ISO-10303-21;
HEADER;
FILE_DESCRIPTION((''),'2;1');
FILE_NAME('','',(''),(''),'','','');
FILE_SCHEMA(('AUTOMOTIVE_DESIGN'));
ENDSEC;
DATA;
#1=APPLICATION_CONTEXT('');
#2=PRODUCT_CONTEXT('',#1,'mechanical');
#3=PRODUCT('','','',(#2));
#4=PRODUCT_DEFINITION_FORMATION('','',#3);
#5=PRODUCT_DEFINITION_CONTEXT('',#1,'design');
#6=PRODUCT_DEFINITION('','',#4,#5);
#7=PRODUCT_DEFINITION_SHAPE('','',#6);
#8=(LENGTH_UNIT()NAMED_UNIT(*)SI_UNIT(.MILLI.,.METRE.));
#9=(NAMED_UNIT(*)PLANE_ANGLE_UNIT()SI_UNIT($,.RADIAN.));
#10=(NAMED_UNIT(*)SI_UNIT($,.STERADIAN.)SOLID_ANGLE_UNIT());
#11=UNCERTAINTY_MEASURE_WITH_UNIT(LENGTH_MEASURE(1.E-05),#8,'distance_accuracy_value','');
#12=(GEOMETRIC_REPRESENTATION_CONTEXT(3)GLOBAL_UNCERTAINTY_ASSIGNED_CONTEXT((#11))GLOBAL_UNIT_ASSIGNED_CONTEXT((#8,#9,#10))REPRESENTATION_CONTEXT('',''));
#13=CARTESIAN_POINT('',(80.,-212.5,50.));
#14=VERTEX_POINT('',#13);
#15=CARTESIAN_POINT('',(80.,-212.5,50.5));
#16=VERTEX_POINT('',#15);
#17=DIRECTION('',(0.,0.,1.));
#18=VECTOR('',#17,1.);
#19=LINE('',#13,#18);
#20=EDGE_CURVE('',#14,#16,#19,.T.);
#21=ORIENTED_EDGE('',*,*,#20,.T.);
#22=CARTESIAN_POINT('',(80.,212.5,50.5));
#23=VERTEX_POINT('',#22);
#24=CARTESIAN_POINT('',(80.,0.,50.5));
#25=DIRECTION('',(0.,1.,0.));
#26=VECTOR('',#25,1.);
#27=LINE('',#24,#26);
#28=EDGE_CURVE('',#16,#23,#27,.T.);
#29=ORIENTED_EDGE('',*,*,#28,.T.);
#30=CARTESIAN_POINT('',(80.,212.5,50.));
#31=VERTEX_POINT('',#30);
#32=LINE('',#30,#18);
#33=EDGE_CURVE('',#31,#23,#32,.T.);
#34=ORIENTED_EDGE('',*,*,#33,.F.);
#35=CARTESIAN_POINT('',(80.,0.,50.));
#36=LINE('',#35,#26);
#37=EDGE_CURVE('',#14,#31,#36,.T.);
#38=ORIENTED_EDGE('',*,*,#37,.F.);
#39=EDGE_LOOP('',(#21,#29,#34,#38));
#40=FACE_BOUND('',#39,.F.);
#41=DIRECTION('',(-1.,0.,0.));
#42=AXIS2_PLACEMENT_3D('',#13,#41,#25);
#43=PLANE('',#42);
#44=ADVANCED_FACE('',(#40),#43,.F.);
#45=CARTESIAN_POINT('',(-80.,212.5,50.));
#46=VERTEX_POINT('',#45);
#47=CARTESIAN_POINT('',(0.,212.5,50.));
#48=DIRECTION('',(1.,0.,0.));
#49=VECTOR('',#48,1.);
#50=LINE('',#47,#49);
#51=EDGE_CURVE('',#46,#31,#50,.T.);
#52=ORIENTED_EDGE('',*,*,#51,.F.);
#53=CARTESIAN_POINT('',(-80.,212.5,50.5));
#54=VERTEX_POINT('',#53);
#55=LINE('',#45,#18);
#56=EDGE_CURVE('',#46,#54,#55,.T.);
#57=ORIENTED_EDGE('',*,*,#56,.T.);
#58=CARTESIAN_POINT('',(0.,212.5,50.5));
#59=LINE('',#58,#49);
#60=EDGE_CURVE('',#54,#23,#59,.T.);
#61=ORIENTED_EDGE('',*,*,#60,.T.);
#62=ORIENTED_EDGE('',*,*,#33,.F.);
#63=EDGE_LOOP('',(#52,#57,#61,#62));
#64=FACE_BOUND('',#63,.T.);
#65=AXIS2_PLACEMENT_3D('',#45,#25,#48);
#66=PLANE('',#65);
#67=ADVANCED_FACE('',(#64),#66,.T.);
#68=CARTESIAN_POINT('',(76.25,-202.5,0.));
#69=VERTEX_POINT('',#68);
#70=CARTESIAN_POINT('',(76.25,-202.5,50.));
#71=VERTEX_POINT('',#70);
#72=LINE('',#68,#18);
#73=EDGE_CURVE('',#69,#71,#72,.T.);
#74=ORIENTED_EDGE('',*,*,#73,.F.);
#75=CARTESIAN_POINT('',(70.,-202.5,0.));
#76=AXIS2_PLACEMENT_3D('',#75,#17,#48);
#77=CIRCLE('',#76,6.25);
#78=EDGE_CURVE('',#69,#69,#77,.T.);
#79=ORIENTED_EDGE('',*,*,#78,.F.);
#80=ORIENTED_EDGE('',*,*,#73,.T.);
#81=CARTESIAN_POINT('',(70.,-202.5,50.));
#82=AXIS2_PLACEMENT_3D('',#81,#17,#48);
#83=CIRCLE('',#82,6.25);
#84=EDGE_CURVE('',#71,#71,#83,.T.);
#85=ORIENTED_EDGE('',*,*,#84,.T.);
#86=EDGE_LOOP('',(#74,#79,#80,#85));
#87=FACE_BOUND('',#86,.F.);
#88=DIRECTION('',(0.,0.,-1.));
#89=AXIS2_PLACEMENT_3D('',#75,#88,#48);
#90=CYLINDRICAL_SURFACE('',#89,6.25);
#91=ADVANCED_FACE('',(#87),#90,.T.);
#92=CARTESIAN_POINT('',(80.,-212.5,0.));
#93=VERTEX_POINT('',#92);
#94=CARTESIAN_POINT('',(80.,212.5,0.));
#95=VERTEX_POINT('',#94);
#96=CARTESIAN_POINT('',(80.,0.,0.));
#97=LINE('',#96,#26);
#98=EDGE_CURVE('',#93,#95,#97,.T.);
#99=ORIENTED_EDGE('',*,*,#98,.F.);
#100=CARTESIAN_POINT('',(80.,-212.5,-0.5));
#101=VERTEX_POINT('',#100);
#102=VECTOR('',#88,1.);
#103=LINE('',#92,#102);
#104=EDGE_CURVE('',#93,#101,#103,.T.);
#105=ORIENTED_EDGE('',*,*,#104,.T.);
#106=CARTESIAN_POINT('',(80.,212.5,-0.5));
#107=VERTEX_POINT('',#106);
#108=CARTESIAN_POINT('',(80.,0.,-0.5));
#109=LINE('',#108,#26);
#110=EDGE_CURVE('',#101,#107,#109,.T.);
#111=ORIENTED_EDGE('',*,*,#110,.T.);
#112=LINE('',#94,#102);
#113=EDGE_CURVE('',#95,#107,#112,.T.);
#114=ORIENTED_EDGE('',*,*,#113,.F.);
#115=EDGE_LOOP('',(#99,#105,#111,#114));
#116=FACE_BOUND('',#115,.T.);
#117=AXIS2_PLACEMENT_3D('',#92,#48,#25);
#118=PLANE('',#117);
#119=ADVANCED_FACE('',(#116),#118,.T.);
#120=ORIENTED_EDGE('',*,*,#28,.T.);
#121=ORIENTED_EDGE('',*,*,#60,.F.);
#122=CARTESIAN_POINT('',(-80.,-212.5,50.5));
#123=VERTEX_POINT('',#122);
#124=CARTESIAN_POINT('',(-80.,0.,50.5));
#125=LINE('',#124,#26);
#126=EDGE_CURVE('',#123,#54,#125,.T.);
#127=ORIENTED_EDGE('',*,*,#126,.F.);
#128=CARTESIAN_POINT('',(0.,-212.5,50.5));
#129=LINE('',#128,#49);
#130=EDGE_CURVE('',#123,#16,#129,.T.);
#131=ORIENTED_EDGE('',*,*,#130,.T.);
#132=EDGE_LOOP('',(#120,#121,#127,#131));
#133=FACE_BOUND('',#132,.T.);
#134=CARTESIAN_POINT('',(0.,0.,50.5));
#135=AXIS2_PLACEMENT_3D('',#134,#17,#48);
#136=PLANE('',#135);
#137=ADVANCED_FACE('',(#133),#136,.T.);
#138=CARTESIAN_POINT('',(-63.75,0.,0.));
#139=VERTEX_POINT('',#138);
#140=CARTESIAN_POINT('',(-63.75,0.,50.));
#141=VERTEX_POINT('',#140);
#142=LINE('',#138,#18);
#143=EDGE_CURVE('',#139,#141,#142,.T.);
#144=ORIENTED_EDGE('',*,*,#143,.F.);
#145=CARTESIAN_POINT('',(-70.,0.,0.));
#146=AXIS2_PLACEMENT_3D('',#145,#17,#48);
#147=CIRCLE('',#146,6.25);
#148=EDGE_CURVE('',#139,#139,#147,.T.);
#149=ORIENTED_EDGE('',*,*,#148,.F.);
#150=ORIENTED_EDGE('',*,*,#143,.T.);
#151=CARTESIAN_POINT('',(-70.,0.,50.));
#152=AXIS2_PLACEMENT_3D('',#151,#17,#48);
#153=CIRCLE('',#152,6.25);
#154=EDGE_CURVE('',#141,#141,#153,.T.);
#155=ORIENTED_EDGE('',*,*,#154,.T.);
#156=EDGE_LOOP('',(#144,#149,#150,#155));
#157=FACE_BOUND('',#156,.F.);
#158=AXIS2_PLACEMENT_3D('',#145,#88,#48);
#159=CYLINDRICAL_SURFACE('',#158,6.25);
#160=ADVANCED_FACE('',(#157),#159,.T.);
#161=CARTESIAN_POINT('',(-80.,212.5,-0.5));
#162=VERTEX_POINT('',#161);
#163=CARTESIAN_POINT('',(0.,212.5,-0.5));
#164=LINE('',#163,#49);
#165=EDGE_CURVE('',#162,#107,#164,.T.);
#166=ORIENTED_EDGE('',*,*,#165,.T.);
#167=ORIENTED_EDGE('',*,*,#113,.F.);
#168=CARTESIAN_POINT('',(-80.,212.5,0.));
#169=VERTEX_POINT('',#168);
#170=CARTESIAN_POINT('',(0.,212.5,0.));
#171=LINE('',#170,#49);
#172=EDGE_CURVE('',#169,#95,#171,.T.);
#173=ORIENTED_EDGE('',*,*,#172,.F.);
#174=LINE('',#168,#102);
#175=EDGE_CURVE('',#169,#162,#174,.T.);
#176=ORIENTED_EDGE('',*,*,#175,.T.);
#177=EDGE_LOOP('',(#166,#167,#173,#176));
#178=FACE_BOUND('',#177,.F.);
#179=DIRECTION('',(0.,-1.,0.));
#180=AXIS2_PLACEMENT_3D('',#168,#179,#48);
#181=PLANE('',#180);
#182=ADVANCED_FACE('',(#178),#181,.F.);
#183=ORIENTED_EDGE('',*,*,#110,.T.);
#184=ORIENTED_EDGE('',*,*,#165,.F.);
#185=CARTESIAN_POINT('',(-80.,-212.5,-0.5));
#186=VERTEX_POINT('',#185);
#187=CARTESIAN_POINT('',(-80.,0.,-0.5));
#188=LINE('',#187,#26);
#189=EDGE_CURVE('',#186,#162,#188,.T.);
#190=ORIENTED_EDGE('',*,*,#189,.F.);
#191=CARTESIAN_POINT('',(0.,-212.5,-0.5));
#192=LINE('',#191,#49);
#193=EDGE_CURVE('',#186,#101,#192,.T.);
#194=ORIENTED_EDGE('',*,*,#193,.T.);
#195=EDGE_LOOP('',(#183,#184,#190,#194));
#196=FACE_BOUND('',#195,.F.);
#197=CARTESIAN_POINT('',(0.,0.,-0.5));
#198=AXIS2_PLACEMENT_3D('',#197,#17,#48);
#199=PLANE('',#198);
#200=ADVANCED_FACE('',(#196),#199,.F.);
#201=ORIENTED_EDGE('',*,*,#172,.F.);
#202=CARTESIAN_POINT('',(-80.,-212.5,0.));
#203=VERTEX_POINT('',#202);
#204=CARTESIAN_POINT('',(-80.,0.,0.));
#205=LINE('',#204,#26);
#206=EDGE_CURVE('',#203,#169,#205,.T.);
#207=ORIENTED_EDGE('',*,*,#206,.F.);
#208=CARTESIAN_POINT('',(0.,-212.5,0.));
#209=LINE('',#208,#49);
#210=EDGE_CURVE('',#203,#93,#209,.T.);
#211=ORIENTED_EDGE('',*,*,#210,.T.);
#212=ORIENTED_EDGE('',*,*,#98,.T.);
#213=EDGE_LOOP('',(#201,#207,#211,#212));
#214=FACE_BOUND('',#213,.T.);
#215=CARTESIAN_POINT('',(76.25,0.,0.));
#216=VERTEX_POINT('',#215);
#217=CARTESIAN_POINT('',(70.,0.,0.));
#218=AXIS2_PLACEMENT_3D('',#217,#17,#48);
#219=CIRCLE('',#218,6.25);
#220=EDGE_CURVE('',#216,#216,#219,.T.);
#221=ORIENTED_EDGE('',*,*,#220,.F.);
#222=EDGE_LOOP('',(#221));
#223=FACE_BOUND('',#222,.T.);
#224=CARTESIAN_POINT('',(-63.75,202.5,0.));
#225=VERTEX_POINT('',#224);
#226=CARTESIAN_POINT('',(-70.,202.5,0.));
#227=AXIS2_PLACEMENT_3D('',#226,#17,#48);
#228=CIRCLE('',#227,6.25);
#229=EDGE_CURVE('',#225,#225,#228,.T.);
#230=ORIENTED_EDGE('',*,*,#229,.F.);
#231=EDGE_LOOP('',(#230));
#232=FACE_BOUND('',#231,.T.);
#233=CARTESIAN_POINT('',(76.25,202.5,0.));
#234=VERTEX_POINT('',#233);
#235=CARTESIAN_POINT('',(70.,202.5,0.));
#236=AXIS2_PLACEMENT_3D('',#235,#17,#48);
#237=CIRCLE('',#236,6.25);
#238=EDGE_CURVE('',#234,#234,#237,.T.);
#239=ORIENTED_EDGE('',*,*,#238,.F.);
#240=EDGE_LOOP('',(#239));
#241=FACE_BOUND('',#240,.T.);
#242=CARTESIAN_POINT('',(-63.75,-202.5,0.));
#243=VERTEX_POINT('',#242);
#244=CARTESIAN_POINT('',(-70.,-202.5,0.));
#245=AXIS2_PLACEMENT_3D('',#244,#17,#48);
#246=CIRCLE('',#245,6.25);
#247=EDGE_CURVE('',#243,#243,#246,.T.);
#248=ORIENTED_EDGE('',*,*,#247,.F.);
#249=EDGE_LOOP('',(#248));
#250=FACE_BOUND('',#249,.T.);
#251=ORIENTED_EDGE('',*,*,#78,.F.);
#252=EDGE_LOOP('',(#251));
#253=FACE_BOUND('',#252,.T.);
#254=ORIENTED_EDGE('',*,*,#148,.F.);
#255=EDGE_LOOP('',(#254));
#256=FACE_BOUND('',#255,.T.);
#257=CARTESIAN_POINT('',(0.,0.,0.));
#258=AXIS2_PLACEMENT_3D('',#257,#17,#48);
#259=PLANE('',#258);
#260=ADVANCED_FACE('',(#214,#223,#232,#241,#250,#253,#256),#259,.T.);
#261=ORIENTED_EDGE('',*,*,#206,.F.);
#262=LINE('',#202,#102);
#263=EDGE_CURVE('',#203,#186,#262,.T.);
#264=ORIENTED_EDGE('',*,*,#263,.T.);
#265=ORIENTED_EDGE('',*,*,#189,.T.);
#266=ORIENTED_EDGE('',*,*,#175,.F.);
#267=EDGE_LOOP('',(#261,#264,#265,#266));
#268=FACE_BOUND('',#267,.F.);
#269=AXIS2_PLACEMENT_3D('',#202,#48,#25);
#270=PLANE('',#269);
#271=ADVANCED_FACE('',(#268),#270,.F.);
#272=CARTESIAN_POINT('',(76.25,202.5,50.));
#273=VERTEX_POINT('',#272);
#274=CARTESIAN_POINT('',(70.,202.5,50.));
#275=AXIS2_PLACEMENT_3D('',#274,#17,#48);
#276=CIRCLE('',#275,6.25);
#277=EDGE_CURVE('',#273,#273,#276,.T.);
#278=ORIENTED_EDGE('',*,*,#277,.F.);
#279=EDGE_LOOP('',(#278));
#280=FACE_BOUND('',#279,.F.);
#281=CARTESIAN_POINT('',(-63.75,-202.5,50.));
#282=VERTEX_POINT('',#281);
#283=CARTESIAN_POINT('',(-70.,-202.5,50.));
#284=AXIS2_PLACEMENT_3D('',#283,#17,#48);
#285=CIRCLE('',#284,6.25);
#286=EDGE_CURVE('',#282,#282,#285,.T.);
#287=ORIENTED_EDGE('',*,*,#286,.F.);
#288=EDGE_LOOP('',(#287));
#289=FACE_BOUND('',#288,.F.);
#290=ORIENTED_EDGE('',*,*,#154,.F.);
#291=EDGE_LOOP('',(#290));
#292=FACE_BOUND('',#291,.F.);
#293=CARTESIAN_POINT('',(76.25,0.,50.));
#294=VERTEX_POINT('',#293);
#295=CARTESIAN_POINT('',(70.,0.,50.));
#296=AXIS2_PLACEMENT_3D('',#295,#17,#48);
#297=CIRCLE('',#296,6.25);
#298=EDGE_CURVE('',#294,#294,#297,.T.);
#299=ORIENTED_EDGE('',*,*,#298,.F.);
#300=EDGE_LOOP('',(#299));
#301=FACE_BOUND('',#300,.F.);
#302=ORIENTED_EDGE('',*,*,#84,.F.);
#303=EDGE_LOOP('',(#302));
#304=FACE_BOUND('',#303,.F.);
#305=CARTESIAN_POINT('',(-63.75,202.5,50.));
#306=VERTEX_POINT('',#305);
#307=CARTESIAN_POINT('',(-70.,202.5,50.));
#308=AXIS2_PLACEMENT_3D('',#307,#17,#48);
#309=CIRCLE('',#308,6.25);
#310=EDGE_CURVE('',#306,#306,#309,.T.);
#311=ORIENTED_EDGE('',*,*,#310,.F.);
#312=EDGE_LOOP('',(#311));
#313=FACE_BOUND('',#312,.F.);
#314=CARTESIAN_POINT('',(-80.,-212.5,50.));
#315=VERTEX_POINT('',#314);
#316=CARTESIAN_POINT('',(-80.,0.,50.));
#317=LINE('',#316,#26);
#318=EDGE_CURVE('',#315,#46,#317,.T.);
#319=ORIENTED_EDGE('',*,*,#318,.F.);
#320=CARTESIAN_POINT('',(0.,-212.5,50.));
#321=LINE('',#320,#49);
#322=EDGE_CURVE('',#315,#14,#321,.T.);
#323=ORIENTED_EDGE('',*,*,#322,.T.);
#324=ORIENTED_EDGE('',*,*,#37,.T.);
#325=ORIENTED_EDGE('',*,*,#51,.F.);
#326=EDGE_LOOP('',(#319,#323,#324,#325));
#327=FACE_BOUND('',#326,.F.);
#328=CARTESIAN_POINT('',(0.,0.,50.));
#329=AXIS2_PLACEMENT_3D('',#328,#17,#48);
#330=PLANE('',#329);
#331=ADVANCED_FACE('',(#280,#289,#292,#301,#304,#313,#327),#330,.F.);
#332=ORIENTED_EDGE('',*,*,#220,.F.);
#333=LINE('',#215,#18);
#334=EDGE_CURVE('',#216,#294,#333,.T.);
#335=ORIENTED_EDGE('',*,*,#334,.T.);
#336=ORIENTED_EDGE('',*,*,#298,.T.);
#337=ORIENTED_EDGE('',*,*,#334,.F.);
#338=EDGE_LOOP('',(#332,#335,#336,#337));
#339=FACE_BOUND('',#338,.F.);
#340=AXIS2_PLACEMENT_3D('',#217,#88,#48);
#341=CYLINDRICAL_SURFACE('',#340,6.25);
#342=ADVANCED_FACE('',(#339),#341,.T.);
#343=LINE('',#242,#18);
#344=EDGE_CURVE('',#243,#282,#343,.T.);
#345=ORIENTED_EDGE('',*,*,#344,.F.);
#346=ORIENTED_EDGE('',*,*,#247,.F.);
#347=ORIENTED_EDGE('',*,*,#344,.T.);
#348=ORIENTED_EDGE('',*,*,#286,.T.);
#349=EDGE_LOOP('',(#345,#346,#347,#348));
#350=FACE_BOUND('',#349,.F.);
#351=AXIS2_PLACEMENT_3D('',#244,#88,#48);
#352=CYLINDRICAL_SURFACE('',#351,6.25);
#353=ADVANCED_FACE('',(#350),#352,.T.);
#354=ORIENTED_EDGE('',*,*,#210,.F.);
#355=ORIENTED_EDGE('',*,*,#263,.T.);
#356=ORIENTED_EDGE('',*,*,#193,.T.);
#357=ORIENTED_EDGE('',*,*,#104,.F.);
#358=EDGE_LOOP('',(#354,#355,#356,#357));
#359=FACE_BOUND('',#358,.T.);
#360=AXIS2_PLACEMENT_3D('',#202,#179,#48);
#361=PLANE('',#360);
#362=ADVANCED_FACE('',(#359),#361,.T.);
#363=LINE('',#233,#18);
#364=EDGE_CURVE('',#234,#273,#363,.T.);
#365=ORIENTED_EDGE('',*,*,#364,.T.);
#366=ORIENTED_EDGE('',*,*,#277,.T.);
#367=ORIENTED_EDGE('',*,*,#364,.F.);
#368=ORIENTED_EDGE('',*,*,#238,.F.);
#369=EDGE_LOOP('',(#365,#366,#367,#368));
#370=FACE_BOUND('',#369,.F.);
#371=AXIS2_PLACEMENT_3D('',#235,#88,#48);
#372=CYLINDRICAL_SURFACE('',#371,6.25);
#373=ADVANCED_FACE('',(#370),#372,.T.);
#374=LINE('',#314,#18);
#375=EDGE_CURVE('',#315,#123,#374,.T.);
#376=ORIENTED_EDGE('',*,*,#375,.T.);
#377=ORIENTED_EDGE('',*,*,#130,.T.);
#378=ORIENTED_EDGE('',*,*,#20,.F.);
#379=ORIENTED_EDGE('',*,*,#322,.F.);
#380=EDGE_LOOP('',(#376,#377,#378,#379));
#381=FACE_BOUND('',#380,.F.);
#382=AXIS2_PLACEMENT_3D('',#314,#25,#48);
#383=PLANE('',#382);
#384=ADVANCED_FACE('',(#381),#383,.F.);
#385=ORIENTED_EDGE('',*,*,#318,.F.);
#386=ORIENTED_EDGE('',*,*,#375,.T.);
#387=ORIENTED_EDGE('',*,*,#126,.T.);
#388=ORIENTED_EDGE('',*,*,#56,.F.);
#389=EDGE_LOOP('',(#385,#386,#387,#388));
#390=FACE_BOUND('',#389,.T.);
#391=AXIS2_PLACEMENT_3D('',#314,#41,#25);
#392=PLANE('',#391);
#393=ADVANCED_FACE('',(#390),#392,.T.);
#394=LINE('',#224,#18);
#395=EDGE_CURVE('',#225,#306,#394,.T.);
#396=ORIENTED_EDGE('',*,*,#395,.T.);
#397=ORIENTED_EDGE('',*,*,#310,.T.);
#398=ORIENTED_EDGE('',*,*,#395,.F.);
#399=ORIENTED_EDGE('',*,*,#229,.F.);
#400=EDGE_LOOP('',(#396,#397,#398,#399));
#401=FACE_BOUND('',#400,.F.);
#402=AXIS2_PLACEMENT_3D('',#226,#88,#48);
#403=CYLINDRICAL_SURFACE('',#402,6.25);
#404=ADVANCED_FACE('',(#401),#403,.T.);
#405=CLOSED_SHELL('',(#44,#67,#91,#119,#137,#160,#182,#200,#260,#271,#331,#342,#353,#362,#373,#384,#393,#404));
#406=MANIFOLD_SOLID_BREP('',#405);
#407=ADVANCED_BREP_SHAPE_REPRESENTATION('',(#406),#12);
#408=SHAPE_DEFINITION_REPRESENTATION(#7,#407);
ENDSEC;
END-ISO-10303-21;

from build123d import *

# Parameters (mm, degrees)
F0_W     = 160
F0_H     = 425
F1_DEPTH = 0.5
F2_R     = 6.25
F3_DEPTH = 50
F4_W     = 160
F4_H     = 425
F5_DEPTH = 0.5


with BuildPart() as f1:
    # F0 (on Top) → F1 (new body)
    with BuildSketch(Plane.XY):
        Rectangle(F0_W, F0_H)
    extrude(amount=-F1_DEPTH)

    # F2 (on face) → F3 (join)
    with BuildSketch(Plane.XY):
        with Locations((-70, 202.5)):
            Circle(F2_R)
        with Locations((-70, 0)):
            Circle(F2_R)
        with Locations((-70, -202.5)):
            Circle(F2_R)
        with Locations((70, 202.5)):
            Circle(F2_R)
        with Locations((70, 0)):
            Circle(F2_R)
        with Locations((70, -202.5)):
            Circle(F2_R)
    extrude(amount=F3_DEPTH)

    # F4 (on face) → F5 (join)
    with BuildSketch(Plane.XY.offset(50)):
        Rectangle(F4_W, F4_H)
    extrude(amount=F5_DEPTH)


solid = f1.part
